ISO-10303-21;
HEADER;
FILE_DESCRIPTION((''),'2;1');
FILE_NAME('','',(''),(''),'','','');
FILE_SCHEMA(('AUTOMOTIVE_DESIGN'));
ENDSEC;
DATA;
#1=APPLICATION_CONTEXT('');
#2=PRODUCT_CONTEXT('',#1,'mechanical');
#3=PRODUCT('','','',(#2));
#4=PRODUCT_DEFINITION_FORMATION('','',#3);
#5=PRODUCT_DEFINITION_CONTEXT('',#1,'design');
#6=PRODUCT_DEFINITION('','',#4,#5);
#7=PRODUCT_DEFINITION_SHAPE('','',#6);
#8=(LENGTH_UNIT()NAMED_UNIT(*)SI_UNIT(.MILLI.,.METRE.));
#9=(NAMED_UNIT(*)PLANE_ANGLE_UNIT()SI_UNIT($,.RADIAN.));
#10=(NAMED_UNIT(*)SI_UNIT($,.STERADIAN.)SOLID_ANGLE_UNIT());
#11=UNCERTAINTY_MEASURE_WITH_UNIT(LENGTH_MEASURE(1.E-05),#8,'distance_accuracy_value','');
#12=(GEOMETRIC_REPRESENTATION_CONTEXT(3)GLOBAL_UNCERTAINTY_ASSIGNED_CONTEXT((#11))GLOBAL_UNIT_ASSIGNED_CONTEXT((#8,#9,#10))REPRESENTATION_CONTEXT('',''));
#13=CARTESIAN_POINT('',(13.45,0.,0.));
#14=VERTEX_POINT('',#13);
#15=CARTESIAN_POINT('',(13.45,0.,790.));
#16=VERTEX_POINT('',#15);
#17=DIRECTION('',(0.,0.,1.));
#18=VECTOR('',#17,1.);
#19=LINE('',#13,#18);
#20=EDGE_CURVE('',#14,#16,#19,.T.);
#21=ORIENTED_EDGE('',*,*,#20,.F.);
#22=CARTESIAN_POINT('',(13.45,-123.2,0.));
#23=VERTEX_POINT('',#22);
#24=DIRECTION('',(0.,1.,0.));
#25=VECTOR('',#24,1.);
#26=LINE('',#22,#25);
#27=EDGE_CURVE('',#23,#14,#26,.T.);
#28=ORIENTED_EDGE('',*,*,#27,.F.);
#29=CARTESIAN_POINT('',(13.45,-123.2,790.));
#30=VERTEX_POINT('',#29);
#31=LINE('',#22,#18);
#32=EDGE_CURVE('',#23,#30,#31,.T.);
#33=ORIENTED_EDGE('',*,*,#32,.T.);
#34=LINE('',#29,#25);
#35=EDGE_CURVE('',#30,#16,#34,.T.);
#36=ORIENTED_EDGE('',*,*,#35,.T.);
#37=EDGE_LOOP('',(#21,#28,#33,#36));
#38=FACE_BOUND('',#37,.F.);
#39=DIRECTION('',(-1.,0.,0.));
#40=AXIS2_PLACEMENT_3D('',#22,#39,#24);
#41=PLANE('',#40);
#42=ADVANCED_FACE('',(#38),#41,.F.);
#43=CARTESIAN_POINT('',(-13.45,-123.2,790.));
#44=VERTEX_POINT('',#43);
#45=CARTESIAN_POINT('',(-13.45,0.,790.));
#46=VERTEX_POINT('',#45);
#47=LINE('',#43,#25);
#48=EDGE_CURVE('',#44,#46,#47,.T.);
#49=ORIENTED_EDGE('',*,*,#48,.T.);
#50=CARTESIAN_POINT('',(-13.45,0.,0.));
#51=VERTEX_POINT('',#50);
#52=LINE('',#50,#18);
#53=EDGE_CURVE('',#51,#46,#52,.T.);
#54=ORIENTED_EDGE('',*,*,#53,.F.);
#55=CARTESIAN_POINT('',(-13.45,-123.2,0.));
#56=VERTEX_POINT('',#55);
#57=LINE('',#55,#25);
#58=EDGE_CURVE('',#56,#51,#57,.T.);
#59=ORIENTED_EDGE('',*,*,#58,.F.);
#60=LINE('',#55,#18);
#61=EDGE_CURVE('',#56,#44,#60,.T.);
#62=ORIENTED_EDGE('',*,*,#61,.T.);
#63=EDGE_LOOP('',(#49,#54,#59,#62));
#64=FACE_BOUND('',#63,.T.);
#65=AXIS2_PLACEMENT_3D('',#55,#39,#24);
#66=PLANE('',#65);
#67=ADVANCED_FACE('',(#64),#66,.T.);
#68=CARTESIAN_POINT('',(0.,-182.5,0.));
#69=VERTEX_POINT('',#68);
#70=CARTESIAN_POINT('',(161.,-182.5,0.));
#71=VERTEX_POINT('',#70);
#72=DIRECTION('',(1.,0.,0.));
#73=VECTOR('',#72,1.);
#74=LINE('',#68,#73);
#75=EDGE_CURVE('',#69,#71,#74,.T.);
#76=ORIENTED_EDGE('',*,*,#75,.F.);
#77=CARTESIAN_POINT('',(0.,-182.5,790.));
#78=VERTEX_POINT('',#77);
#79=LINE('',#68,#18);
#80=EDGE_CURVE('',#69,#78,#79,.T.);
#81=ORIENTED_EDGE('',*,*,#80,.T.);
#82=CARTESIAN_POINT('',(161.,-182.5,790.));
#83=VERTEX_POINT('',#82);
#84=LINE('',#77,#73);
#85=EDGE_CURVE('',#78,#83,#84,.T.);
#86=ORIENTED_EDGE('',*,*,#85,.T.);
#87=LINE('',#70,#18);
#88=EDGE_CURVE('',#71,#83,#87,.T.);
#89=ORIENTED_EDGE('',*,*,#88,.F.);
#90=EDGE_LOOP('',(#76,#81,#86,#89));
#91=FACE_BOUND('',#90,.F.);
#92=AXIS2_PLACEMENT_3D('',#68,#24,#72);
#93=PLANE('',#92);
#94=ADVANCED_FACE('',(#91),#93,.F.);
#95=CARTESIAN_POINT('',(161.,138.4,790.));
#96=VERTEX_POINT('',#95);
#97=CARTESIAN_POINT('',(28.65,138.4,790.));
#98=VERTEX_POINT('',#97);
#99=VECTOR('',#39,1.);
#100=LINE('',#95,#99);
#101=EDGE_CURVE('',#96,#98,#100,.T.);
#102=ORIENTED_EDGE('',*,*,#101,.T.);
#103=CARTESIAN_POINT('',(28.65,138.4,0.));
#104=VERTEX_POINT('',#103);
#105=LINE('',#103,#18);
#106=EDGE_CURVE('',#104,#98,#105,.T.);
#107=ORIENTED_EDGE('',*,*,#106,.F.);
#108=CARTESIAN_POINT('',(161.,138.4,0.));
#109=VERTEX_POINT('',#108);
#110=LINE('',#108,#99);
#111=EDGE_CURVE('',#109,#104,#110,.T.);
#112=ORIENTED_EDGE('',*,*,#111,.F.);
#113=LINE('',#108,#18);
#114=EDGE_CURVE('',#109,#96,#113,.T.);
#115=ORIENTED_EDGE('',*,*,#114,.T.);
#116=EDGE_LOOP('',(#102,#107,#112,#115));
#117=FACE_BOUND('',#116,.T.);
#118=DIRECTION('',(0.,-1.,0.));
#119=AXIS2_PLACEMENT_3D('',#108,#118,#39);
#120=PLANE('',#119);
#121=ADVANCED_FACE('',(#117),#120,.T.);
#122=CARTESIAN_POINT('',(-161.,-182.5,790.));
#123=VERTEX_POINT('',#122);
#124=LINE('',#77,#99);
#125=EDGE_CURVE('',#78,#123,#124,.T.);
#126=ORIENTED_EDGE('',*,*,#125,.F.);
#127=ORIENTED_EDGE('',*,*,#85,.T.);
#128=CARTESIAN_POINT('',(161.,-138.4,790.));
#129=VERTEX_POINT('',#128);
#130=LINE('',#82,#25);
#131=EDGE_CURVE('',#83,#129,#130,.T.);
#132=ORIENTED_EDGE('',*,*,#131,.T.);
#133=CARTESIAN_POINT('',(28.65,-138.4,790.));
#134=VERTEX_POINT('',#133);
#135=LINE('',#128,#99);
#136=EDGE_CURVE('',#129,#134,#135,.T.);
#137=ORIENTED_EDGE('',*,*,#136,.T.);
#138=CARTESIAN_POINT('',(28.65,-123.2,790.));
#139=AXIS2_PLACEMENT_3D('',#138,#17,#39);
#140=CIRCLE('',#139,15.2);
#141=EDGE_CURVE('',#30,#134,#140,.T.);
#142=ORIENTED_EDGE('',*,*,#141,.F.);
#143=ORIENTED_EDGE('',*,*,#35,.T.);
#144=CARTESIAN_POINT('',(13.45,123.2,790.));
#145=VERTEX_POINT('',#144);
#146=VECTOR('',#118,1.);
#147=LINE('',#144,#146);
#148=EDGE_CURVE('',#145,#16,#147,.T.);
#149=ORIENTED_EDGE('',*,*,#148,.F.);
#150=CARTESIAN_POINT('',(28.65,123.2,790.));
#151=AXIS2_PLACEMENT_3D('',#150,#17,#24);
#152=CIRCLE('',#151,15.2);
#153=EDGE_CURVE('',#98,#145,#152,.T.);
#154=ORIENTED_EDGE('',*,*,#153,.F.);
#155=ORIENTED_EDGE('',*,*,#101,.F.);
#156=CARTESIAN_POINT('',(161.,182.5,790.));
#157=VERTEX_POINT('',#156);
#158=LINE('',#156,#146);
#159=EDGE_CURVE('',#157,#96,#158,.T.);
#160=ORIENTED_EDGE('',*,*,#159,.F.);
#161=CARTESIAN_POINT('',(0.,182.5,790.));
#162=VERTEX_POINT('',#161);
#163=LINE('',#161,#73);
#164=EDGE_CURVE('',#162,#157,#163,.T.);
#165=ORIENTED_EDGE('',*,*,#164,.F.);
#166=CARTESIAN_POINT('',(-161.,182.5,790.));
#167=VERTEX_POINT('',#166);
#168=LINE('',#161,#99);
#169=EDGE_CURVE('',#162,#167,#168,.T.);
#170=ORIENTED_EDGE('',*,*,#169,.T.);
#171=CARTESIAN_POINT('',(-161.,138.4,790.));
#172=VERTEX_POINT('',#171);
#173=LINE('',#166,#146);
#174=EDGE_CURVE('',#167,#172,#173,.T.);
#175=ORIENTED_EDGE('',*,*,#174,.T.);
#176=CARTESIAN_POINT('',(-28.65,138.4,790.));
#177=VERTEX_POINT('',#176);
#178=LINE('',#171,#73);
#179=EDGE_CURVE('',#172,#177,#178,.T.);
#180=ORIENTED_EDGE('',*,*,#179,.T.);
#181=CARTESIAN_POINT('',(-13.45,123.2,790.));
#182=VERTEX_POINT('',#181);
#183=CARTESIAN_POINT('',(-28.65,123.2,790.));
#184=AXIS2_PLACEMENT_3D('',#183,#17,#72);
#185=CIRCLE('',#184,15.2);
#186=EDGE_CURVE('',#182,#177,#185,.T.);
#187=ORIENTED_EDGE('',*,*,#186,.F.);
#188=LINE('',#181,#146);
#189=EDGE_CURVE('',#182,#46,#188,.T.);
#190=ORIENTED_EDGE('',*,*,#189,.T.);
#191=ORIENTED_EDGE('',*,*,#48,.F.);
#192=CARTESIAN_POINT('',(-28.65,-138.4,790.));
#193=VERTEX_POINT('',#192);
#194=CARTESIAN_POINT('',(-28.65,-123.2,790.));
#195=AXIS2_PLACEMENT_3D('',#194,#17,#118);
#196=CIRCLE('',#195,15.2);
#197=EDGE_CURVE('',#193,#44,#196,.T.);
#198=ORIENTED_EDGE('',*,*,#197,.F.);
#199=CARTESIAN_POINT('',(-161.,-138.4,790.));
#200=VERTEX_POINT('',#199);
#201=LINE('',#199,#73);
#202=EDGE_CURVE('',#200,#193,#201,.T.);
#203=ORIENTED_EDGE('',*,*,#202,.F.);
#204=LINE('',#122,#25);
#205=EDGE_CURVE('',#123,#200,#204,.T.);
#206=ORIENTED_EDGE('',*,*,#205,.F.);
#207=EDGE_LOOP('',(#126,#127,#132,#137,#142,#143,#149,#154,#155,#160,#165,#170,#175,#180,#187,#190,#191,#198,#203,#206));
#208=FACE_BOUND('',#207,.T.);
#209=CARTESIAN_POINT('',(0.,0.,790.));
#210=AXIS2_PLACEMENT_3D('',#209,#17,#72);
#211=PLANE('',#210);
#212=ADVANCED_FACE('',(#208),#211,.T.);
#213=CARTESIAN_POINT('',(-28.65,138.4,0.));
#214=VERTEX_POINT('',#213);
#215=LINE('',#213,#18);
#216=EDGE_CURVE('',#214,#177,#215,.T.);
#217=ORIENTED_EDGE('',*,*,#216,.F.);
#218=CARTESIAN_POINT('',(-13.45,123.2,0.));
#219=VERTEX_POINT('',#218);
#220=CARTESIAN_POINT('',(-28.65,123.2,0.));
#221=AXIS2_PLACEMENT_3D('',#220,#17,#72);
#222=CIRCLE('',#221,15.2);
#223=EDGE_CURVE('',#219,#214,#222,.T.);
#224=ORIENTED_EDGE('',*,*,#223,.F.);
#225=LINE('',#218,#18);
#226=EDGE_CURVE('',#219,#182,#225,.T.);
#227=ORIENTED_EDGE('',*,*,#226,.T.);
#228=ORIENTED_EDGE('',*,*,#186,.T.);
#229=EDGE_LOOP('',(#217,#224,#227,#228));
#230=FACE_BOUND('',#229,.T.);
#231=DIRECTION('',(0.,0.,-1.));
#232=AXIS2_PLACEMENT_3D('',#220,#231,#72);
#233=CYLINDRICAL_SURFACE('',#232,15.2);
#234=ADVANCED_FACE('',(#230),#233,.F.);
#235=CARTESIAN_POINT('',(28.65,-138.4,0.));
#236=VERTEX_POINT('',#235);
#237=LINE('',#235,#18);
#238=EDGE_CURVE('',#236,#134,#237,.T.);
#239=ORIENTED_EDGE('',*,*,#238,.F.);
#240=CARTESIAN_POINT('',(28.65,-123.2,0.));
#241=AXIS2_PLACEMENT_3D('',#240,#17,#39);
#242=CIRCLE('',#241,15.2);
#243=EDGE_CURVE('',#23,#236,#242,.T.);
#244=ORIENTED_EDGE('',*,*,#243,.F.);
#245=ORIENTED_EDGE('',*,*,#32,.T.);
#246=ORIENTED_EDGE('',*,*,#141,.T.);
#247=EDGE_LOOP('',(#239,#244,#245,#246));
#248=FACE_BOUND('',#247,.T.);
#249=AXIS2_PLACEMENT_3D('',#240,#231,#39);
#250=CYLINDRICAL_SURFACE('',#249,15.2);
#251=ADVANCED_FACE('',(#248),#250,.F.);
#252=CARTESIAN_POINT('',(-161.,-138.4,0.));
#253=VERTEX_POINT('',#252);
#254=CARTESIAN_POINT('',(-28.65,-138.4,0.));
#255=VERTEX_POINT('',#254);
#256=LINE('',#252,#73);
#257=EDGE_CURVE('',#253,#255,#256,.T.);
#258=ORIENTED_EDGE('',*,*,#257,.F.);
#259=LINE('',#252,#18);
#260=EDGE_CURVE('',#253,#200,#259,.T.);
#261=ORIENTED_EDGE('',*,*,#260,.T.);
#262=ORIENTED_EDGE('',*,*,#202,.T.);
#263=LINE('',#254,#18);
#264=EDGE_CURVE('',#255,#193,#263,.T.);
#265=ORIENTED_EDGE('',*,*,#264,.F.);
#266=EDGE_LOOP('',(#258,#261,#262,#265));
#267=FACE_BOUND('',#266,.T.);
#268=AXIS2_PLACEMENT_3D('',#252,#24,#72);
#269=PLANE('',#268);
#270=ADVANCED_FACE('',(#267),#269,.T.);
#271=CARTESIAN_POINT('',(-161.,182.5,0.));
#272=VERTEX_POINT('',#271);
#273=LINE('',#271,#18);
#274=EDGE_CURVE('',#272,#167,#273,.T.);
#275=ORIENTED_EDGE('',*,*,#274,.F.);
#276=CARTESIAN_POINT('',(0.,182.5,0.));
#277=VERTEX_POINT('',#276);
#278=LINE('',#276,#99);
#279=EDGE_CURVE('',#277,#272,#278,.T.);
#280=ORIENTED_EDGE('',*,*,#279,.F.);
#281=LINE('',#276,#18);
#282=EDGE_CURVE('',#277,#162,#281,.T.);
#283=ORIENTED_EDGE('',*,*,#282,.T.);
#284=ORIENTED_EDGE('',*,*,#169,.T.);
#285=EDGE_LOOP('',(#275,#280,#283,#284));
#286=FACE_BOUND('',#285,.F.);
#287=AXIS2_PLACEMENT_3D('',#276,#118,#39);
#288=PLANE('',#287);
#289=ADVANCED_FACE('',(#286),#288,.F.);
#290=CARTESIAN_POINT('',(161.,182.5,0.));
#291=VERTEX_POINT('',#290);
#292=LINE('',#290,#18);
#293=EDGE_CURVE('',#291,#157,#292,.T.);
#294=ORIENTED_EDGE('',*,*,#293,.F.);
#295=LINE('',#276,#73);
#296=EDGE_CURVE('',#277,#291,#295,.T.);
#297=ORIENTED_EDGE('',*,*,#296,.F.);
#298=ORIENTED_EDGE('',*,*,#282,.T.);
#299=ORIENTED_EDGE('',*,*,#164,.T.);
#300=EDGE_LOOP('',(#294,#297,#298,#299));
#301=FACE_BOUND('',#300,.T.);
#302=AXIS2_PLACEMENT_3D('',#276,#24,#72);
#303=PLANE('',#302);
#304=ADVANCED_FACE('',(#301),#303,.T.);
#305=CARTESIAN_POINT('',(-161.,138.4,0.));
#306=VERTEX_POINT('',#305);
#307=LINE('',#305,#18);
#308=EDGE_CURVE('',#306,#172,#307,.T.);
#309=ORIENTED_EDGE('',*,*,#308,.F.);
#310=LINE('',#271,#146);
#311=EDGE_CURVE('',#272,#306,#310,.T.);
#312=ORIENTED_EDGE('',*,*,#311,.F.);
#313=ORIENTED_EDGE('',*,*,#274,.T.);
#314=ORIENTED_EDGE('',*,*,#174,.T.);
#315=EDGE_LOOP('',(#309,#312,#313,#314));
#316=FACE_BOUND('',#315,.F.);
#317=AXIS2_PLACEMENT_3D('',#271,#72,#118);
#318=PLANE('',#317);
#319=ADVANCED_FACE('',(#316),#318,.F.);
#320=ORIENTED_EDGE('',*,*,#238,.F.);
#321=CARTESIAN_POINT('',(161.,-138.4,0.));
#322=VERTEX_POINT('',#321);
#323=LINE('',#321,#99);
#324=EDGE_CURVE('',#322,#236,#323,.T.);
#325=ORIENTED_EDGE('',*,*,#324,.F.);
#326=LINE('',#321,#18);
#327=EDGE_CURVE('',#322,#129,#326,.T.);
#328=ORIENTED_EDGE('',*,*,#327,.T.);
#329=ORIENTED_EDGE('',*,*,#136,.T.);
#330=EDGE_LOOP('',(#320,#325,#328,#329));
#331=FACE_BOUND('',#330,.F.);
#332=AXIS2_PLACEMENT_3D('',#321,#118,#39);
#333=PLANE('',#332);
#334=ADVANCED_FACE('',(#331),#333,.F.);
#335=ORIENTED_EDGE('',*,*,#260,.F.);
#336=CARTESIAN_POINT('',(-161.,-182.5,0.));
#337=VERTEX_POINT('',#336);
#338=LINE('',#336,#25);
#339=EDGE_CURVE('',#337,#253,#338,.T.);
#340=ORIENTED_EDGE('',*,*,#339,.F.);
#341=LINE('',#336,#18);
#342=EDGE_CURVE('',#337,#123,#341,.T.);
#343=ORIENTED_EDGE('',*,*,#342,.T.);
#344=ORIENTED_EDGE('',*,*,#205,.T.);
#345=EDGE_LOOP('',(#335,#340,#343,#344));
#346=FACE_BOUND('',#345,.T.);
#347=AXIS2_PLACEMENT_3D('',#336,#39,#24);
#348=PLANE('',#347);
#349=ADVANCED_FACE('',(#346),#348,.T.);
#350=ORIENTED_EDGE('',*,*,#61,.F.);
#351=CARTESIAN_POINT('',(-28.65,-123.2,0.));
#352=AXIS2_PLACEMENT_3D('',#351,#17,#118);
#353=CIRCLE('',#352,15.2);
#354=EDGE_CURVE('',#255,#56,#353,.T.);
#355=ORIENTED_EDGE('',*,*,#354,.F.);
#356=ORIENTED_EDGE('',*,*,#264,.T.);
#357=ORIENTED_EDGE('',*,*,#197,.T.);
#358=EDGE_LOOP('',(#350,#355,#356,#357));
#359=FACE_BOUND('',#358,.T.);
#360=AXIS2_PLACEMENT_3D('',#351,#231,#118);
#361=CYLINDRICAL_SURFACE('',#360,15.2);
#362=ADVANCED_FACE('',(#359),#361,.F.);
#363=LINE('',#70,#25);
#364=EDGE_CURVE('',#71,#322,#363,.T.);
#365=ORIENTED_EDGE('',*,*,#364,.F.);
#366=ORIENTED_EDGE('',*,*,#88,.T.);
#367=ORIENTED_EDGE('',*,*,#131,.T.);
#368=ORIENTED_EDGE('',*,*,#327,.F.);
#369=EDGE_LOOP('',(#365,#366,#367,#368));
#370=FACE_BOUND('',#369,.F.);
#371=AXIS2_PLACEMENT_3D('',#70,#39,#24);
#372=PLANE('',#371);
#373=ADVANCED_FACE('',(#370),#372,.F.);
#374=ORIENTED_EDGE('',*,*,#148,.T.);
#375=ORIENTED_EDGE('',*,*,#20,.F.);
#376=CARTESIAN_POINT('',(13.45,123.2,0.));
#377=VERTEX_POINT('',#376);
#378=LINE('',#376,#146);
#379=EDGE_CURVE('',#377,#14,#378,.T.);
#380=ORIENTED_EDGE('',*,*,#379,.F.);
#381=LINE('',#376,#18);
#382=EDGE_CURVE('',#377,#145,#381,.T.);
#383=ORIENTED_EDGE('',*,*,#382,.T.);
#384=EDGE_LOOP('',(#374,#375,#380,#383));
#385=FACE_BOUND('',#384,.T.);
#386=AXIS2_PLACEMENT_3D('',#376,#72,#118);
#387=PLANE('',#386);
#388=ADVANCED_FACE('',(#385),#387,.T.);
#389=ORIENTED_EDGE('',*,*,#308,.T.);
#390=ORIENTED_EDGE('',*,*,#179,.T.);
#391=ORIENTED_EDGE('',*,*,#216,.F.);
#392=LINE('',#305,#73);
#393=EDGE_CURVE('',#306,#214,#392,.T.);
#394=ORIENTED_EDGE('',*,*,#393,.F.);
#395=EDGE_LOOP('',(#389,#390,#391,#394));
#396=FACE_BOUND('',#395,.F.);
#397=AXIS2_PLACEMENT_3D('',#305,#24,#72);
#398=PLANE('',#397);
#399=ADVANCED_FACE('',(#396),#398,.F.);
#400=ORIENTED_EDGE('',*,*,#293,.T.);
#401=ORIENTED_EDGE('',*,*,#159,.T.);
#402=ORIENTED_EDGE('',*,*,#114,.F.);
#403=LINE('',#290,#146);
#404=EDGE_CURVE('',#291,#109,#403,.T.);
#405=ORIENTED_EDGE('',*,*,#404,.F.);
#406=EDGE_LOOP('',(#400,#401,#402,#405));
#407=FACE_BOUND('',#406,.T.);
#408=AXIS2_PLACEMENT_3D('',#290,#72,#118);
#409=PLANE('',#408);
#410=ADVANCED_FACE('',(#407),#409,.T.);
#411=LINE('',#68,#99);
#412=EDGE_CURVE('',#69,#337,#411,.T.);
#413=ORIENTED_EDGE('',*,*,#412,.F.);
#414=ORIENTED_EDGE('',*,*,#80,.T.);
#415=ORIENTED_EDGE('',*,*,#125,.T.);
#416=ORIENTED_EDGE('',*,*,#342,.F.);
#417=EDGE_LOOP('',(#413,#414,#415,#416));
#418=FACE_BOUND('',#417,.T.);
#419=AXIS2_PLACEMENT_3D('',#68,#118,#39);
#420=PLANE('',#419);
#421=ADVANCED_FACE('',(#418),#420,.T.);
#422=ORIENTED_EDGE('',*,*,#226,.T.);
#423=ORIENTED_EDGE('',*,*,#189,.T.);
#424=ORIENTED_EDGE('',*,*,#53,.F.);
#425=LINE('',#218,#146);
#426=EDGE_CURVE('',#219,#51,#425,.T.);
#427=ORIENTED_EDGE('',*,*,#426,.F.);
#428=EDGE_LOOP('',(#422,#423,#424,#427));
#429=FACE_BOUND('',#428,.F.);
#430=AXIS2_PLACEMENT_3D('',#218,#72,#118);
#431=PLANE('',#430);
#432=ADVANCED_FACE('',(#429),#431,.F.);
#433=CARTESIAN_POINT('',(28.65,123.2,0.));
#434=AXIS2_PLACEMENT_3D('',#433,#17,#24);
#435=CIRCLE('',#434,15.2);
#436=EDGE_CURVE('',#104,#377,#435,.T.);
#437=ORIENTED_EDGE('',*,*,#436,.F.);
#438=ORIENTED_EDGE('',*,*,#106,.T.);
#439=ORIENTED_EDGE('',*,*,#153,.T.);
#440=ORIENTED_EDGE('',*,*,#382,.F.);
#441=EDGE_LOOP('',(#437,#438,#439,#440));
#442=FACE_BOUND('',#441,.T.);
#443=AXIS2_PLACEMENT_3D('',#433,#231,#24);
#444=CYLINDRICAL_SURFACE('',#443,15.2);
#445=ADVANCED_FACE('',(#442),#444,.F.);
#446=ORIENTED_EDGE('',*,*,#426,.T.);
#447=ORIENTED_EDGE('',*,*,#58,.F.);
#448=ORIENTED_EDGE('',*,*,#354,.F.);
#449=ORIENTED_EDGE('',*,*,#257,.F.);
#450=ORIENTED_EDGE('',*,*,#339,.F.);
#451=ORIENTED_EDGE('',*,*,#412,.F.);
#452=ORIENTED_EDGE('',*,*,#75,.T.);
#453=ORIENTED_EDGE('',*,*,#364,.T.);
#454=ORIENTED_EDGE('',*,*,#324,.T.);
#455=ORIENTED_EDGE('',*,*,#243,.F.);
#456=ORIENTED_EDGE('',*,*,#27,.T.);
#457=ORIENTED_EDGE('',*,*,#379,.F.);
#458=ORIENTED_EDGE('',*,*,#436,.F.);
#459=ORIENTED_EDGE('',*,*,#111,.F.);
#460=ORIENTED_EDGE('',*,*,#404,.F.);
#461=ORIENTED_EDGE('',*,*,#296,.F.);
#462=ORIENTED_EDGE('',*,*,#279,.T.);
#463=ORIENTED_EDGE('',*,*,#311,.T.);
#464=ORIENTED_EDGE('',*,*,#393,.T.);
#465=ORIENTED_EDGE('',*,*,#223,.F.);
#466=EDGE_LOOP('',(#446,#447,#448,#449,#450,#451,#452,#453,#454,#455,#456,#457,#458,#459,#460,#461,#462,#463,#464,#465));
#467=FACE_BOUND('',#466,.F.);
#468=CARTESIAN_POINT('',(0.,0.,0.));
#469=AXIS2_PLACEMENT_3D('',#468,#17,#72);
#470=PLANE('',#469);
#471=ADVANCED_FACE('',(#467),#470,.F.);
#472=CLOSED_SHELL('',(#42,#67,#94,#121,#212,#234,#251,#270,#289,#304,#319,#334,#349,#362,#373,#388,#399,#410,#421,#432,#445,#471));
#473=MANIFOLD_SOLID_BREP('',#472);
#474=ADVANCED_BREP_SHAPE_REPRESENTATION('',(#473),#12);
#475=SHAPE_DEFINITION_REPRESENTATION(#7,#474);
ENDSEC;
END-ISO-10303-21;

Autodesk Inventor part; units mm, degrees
ref_plane "YZ Plane" through (0, 0, 0) normal (1, 0, 0) x (0, 1, 0)
ref_plane "Start plane" through (0, 0, 0) normal (0, 0, 1) x (1, 0, 0)
ref_plane "End plane" through (0, 0, 790) normal (0, 0, 1) x (1, 0, 0)
sketch "Sketch" plane through (0, 0, 0) normal (0, 0, 1) x (1, 0, 0)
  line L0 (-161, -182.5) -> (-161, -138.4)
  line L1 (-161, -138.4) -> (-28.65, -138.4)
  line L2 (-13.45, -123.2) -> (-13.45, 0)
  line L3 (-13.45, 0) -> (0, 0) construction
  line L4 (0, 0) -> (0, -182.5) construction
  line L5 (0, -182.5) -> (-161, -182.5)
  line L6 (-60, 0) -> (80, 0) construction
  line L7 (0, -60) -> (0, 80) construction
  line L8 (161, -182.5) -> (161, -138.4)
  line L9 (161, -138.4) -> (28.65, -138.4)
  line L10 (13.45, -123.2) -> (13.45, 0)
  line L11 (13.45, 0) -> (0, 0) construction
  line L12 (0, -182.5) -> (161, -182.5)
  line L13 (-161, 182.5) -> (-161, 138.4)
  line L14 (-161, 138.4) -> (-28.65, 138.4)
  line L15 (-13.45, 123.2) -> (-13.45, 0)
  line L16 (0, 182.5) -> (-161, 182.5)
  line L17 (161, 182.5) -> (161, 138.4)
  line L18 (161, 138.4) -> (28.65, 138.4)
  line L19 (0, 182.5) -> (161, 182.5)
  line L20 (13.45, 123.2) -> (13.45, 0)
  arc A0 (-13.45, 123.2) -> (-28.65, 138.4) centre (-28.65, 123.2) ccw
  arc A1 (28.65, 138.4) -> (13.45, 123.2) centre (28.65, 123.2) ccw
  arc A2 (13.45, -123.2) -> (28.65, -138.4) centre (28.65, -123.2) ccw
  arc A3 (-28.65, -138.4) -> (-13.45, -123.2) centre (-28.65, -123.2) ccw
  line L21 (0, 108) -> (0, -88) construction
  line L22 (-88, 0) -> (108, 0) construction
  point P0 (-13.45, -138.4)
  point P1 (13.45, -138.4)
  point P2 (-13.45, 138.4)
  point P3 (13.45, 138.4)
  dimension "d1" = 182.5
  dimension "d2" = 44.1
  dimension "d3" = 161
  dimension "d4" = 13.45
  dimension "d10" = 15.2
extrude "Body" add sketch "Sketch" along normal up to surface (790 mm away) from surface at 0
sketch "Sketch4" plane through (0, 0, 0) normal (0, 0, 1) x (1, 0, 0)
  line L0 (0, 0) -> (10, 0)
ref_plane "Work Plane3" through (0, 0, 0) normal (0, -1, 0) x (1, 0, 0)
sketch "Sketch5" plane through (0, 0, 0) normal (0, -1, 0) x (1, 0, 0)
  line L0 (-2, 0) -> (12, 0) projected
  line L1 (-2, 790) -> (12, 790) projected
  dimension "d14" = 790
equation "\"d1\" = 0.5 * G_H"
equation "\"d2\" = G_T1"
equation "\"d3\" = 0.5 * G_W"
equation "\"d4\" = 0.5 * G_T"
equation "\"d10\" = G_IR"
equation "\"d5\" = G_L"
equation "\"G_W\" = 322"
equation "\"G_H\" = 365"
equation "\"G_T\" = 26.9"
equation "\"G_T1\" = 44.1"
equation "\"G_IR\" = 15.2"
equation "\"G_L\" = d14"
equation "\"G_OFFSET_START\" = 0"
equation "\"G_OFFSET_END\" = 0"
properties part number "AS 3679 - 310 UC - 283 - 790" material "Steel, Mild"
